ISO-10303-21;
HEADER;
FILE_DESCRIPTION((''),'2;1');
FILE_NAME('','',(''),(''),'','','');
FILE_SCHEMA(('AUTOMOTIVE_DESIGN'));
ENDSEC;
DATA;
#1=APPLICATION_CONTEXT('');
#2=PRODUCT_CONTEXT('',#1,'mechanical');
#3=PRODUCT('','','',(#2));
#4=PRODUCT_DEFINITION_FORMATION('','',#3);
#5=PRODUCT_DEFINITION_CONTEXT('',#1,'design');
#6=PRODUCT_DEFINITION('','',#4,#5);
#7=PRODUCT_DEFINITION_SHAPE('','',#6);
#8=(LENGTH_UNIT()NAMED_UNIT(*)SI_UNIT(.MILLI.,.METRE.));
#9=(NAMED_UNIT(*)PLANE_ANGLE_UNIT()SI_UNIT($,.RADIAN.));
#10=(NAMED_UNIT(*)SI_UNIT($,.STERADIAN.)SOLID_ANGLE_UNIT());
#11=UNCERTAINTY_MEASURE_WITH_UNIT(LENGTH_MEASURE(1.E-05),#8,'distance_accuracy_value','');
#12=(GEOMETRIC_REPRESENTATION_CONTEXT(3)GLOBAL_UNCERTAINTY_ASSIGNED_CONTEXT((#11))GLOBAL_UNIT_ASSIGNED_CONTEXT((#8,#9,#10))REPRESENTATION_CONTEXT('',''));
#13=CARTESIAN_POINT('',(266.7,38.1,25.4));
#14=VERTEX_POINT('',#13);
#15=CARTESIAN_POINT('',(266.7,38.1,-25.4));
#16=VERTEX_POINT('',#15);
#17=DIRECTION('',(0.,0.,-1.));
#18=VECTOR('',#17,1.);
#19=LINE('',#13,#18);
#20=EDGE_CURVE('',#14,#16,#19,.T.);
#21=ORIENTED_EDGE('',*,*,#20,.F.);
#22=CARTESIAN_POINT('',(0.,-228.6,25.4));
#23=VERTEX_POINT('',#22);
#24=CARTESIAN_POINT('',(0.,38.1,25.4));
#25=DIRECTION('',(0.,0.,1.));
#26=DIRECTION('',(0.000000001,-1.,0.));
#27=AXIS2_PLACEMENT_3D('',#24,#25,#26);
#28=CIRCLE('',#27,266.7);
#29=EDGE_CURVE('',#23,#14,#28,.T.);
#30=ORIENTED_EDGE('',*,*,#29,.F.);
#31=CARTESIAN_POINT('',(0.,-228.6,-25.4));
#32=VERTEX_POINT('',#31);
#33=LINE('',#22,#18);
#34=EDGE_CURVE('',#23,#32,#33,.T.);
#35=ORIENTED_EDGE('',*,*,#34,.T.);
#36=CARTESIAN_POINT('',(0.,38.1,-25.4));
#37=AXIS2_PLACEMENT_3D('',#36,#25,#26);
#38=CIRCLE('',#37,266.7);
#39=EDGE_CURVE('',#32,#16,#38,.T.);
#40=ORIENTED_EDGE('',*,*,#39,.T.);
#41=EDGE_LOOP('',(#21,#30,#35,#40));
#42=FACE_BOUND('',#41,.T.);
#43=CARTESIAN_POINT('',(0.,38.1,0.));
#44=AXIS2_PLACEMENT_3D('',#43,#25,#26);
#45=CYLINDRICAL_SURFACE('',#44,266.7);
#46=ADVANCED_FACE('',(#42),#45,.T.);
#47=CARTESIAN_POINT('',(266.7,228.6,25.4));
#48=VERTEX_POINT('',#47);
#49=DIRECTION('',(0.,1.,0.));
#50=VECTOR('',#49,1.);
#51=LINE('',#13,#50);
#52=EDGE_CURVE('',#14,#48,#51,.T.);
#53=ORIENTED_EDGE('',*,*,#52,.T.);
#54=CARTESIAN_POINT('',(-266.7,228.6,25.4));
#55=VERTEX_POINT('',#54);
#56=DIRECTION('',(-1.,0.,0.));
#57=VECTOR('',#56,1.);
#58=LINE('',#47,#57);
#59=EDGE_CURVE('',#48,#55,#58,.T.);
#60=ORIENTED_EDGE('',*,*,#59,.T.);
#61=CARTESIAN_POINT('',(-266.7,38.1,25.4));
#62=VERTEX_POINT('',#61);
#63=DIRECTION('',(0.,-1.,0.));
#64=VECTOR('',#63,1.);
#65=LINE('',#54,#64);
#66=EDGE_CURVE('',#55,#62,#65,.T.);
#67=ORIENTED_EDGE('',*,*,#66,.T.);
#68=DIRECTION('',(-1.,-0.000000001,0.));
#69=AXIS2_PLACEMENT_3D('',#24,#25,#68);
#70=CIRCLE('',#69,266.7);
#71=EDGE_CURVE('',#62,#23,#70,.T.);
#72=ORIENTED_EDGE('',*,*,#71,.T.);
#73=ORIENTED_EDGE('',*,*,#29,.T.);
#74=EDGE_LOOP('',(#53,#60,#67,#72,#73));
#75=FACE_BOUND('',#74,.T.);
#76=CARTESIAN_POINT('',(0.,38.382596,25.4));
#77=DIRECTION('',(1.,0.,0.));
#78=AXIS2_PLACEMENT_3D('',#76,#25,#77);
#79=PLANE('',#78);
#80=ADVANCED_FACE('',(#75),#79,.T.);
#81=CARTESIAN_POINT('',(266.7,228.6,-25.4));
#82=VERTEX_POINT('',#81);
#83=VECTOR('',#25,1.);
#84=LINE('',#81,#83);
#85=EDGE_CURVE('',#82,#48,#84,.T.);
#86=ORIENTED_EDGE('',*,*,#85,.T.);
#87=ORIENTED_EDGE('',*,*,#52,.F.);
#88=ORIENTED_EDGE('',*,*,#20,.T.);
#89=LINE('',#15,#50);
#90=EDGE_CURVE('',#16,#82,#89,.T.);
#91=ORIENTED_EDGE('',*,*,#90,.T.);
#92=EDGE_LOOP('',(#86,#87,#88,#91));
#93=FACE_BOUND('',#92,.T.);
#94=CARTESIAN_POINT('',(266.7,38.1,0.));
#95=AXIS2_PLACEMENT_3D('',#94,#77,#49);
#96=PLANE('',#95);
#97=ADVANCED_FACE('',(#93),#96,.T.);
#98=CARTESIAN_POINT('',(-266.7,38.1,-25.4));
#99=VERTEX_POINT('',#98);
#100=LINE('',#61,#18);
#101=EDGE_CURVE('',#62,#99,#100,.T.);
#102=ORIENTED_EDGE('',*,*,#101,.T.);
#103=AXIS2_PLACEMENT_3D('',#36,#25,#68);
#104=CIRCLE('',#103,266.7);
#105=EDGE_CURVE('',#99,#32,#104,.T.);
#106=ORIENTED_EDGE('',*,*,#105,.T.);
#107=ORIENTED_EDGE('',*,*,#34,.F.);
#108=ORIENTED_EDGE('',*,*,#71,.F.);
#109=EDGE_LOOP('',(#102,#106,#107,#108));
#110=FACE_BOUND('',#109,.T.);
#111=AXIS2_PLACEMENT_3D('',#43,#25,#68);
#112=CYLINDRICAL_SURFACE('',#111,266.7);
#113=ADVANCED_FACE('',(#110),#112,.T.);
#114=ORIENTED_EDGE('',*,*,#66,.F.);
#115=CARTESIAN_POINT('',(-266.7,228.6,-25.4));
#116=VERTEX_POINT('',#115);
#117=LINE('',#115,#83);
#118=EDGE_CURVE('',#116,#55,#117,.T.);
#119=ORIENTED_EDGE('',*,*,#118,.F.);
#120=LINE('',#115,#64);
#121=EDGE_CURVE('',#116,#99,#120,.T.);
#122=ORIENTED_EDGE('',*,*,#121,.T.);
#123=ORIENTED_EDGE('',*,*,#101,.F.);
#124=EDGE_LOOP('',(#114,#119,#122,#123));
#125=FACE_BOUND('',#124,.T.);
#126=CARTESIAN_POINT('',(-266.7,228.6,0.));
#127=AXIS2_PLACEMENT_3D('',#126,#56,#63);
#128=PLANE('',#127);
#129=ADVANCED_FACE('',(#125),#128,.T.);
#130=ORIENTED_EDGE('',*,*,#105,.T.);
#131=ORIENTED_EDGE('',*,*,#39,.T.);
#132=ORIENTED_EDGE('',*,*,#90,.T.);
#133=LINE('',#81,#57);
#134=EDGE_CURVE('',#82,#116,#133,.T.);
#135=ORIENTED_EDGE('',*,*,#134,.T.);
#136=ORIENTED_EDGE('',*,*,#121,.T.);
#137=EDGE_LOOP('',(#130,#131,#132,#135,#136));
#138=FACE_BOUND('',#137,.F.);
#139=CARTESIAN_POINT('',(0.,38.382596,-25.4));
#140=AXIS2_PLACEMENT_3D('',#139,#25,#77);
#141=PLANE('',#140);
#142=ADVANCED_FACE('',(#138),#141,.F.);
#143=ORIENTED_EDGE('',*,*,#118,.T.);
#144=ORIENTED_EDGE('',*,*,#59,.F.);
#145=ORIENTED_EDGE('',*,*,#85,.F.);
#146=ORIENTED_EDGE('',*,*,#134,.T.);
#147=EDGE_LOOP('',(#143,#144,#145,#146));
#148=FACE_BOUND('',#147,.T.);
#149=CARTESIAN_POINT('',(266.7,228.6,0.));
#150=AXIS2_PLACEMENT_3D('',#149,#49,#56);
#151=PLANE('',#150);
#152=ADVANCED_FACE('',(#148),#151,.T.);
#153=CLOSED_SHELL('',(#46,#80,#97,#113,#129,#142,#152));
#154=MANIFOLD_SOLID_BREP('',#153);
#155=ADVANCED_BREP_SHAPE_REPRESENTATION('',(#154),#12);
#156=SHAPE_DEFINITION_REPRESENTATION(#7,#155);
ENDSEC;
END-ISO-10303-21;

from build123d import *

# Parameters (mm, degrees)
F1_DEPTH = 25.4


with BuildPart() as f1:
    # F0 (on Top) → F1 (new body, symmetric)
    with BuildSketch(Plane.XY):
        with BuildLine():
            Line((266.7, 38.1), (266.7, 228.6))
            Line((266.7, 228.6), (-266.7, 228.6))
            Line((-266.7, 228.6), (-266.7, 38.1))
            ThreePointArc((-266.7, 38.1), (-188.585379, -150.485378), (0, -228.6))
            ThreePointArc((0, -228.6), (188.585378, -150.485379), (266.7, 38.1))
        make_face()
    extrude(amount=F1_DEPTH, both=True)


solid = f1.part
